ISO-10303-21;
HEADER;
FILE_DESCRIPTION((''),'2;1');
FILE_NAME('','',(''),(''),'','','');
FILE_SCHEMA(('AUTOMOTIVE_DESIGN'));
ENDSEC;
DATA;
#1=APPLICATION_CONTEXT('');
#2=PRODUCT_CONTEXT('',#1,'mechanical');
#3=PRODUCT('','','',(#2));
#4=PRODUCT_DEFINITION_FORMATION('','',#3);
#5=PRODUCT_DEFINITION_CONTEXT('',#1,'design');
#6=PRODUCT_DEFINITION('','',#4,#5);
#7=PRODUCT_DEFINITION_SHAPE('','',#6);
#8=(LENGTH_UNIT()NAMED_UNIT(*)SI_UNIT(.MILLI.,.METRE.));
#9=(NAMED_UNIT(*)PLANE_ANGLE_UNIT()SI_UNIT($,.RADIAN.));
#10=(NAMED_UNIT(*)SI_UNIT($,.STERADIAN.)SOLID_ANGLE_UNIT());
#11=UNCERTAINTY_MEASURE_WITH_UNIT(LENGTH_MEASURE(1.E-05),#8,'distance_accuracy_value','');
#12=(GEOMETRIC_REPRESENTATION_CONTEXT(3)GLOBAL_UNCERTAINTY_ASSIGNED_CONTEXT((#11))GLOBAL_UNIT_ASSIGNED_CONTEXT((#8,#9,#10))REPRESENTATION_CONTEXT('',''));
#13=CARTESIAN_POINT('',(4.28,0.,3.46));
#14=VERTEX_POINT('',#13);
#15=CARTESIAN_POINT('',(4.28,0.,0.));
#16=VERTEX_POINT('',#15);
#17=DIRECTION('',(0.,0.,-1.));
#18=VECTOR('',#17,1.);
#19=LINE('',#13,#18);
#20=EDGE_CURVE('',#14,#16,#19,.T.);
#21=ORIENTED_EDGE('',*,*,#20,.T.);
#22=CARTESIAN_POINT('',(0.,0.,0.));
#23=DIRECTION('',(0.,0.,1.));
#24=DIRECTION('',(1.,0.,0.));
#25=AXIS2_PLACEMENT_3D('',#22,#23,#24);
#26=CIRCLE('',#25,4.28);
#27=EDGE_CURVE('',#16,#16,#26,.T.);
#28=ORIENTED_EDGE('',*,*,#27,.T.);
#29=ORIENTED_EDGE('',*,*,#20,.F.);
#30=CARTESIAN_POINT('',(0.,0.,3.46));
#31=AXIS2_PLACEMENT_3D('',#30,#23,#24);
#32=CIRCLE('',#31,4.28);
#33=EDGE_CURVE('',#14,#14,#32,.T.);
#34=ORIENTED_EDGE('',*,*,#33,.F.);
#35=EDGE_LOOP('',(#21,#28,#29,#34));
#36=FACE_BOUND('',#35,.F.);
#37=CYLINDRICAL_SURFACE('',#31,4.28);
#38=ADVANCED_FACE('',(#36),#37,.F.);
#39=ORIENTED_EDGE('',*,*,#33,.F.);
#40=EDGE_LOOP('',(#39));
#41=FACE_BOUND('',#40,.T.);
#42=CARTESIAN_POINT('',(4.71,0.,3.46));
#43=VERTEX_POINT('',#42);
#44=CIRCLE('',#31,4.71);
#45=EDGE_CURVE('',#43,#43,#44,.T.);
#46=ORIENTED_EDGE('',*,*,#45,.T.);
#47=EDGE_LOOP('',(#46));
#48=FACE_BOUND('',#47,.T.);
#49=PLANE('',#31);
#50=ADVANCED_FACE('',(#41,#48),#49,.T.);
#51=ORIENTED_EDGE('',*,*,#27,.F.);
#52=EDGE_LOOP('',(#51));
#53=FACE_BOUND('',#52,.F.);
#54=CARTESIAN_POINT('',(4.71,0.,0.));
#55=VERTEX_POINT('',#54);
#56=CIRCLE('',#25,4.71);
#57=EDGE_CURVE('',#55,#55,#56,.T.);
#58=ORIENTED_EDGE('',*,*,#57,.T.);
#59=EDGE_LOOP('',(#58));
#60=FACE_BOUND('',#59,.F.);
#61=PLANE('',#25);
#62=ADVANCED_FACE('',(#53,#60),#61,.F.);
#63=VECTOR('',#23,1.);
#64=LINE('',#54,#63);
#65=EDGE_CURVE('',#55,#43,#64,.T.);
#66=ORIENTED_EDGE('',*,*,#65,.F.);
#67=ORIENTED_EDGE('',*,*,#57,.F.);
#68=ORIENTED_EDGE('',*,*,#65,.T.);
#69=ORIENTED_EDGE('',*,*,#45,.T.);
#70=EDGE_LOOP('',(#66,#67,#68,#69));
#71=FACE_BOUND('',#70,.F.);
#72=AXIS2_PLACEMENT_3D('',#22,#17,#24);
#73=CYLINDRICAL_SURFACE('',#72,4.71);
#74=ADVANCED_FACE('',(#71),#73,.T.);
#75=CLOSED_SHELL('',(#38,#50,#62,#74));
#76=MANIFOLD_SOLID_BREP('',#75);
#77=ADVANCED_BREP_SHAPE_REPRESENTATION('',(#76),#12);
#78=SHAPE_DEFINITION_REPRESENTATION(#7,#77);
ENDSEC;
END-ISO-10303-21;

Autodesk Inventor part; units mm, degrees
ref_plane "YZ Plane" through (0, 0, 0) normal (1, 0, 0) x (0, 1, 0)
ref_plane "XZ Plane" through (0, 0, 0) normal (0, 1, 0) x (-1, 0, 0)
ref_plane "XY Plane" through (0, 0, 0) normal (0, 0, 1) x (1, 0, 0)
sketch "Sketch1" plane through (0, 0, 0) normal (0, 0, 1) x (1, 0, 0)
  circle A0 centre (0, 0) radius 4.71
  dimension "d0" = 9.42
extrude "Extrusion1" add sketch "Sketch1" along normal blind 3.46
sketch "Sketch2" plane through (0, 0, 3.46) normal (0, 0, 1) x (1, 0, 0)
  circle A0 centre (0, 0) radius 4.28
  dimension "d3" = 8.56
extrude "Extrusion2" cut sketch "Sketch2" against normal through all
properties part number "MIRROR_A_2"
